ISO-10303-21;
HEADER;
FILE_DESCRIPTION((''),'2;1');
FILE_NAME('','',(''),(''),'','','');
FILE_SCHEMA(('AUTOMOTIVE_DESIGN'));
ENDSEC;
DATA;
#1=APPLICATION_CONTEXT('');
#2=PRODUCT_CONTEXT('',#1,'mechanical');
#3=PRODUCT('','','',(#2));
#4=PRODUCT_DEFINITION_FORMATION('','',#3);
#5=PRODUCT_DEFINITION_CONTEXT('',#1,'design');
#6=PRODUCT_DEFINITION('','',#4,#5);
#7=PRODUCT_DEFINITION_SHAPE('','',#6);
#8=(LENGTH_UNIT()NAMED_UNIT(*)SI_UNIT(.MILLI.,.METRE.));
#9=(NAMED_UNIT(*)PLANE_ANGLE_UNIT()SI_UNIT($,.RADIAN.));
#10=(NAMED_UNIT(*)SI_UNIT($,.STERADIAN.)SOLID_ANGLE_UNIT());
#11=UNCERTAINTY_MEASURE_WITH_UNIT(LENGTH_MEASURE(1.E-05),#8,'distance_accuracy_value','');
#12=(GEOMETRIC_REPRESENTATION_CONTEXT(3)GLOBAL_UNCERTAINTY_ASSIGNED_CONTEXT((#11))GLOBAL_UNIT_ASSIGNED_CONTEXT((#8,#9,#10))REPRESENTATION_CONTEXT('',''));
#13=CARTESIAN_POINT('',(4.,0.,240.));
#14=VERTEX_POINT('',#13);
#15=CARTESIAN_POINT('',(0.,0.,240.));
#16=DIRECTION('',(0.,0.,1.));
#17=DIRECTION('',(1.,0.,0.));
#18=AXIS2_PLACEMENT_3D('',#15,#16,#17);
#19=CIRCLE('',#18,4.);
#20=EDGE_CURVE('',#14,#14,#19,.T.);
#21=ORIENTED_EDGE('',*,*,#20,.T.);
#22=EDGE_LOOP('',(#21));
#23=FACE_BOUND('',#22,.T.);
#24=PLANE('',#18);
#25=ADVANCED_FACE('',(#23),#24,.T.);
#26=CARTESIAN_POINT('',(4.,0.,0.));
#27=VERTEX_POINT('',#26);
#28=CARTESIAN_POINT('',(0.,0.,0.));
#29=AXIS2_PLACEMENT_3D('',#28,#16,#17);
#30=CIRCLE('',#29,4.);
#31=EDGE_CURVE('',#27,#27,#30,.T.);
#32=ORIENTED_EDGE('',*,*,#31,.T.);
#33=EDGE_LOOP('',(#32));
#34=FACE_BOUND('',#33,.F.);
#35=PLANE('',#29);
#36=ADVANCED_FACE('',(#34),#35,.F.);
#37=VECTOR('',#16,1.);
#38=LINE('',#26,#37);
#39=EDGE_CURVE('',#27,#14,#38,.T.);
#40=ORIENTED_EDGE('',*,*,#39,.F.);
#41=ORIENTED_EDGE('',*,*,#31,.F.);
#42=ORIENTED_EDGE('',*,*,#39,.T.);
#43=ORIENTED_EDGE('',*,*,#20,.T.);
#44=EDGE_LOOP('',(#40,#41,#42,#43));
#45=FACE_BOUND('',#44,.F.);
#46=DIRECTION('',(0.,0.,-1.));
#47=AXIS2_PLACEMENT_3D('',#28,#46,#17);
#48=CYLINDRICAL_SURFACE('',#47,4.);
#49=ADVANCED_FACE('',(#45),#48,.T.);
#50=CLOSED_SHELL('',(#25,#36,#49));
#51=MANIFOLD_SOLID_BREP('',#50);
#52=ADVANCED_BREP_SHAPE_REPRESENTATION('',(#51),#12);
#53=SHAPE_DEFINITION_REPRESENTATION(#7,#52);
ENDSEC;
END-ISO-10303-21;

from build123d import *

# Parameters (mm, degrees)
IZIM1_R                     = 4
Y_KSEKLIK_EKSTR_ZYON1_DEPTH = 240


with BuildPart() as part:
    # Çizim1 → Yükseklik-Ekstrüzyon1 (new body)
    with BuildSketch(Plane.XY):
        Circle(IZIM1_R)
    extrude(amount=Y_KSEKLIK_EKSTR_ZYON1_DEPTH)


solid = part.part
